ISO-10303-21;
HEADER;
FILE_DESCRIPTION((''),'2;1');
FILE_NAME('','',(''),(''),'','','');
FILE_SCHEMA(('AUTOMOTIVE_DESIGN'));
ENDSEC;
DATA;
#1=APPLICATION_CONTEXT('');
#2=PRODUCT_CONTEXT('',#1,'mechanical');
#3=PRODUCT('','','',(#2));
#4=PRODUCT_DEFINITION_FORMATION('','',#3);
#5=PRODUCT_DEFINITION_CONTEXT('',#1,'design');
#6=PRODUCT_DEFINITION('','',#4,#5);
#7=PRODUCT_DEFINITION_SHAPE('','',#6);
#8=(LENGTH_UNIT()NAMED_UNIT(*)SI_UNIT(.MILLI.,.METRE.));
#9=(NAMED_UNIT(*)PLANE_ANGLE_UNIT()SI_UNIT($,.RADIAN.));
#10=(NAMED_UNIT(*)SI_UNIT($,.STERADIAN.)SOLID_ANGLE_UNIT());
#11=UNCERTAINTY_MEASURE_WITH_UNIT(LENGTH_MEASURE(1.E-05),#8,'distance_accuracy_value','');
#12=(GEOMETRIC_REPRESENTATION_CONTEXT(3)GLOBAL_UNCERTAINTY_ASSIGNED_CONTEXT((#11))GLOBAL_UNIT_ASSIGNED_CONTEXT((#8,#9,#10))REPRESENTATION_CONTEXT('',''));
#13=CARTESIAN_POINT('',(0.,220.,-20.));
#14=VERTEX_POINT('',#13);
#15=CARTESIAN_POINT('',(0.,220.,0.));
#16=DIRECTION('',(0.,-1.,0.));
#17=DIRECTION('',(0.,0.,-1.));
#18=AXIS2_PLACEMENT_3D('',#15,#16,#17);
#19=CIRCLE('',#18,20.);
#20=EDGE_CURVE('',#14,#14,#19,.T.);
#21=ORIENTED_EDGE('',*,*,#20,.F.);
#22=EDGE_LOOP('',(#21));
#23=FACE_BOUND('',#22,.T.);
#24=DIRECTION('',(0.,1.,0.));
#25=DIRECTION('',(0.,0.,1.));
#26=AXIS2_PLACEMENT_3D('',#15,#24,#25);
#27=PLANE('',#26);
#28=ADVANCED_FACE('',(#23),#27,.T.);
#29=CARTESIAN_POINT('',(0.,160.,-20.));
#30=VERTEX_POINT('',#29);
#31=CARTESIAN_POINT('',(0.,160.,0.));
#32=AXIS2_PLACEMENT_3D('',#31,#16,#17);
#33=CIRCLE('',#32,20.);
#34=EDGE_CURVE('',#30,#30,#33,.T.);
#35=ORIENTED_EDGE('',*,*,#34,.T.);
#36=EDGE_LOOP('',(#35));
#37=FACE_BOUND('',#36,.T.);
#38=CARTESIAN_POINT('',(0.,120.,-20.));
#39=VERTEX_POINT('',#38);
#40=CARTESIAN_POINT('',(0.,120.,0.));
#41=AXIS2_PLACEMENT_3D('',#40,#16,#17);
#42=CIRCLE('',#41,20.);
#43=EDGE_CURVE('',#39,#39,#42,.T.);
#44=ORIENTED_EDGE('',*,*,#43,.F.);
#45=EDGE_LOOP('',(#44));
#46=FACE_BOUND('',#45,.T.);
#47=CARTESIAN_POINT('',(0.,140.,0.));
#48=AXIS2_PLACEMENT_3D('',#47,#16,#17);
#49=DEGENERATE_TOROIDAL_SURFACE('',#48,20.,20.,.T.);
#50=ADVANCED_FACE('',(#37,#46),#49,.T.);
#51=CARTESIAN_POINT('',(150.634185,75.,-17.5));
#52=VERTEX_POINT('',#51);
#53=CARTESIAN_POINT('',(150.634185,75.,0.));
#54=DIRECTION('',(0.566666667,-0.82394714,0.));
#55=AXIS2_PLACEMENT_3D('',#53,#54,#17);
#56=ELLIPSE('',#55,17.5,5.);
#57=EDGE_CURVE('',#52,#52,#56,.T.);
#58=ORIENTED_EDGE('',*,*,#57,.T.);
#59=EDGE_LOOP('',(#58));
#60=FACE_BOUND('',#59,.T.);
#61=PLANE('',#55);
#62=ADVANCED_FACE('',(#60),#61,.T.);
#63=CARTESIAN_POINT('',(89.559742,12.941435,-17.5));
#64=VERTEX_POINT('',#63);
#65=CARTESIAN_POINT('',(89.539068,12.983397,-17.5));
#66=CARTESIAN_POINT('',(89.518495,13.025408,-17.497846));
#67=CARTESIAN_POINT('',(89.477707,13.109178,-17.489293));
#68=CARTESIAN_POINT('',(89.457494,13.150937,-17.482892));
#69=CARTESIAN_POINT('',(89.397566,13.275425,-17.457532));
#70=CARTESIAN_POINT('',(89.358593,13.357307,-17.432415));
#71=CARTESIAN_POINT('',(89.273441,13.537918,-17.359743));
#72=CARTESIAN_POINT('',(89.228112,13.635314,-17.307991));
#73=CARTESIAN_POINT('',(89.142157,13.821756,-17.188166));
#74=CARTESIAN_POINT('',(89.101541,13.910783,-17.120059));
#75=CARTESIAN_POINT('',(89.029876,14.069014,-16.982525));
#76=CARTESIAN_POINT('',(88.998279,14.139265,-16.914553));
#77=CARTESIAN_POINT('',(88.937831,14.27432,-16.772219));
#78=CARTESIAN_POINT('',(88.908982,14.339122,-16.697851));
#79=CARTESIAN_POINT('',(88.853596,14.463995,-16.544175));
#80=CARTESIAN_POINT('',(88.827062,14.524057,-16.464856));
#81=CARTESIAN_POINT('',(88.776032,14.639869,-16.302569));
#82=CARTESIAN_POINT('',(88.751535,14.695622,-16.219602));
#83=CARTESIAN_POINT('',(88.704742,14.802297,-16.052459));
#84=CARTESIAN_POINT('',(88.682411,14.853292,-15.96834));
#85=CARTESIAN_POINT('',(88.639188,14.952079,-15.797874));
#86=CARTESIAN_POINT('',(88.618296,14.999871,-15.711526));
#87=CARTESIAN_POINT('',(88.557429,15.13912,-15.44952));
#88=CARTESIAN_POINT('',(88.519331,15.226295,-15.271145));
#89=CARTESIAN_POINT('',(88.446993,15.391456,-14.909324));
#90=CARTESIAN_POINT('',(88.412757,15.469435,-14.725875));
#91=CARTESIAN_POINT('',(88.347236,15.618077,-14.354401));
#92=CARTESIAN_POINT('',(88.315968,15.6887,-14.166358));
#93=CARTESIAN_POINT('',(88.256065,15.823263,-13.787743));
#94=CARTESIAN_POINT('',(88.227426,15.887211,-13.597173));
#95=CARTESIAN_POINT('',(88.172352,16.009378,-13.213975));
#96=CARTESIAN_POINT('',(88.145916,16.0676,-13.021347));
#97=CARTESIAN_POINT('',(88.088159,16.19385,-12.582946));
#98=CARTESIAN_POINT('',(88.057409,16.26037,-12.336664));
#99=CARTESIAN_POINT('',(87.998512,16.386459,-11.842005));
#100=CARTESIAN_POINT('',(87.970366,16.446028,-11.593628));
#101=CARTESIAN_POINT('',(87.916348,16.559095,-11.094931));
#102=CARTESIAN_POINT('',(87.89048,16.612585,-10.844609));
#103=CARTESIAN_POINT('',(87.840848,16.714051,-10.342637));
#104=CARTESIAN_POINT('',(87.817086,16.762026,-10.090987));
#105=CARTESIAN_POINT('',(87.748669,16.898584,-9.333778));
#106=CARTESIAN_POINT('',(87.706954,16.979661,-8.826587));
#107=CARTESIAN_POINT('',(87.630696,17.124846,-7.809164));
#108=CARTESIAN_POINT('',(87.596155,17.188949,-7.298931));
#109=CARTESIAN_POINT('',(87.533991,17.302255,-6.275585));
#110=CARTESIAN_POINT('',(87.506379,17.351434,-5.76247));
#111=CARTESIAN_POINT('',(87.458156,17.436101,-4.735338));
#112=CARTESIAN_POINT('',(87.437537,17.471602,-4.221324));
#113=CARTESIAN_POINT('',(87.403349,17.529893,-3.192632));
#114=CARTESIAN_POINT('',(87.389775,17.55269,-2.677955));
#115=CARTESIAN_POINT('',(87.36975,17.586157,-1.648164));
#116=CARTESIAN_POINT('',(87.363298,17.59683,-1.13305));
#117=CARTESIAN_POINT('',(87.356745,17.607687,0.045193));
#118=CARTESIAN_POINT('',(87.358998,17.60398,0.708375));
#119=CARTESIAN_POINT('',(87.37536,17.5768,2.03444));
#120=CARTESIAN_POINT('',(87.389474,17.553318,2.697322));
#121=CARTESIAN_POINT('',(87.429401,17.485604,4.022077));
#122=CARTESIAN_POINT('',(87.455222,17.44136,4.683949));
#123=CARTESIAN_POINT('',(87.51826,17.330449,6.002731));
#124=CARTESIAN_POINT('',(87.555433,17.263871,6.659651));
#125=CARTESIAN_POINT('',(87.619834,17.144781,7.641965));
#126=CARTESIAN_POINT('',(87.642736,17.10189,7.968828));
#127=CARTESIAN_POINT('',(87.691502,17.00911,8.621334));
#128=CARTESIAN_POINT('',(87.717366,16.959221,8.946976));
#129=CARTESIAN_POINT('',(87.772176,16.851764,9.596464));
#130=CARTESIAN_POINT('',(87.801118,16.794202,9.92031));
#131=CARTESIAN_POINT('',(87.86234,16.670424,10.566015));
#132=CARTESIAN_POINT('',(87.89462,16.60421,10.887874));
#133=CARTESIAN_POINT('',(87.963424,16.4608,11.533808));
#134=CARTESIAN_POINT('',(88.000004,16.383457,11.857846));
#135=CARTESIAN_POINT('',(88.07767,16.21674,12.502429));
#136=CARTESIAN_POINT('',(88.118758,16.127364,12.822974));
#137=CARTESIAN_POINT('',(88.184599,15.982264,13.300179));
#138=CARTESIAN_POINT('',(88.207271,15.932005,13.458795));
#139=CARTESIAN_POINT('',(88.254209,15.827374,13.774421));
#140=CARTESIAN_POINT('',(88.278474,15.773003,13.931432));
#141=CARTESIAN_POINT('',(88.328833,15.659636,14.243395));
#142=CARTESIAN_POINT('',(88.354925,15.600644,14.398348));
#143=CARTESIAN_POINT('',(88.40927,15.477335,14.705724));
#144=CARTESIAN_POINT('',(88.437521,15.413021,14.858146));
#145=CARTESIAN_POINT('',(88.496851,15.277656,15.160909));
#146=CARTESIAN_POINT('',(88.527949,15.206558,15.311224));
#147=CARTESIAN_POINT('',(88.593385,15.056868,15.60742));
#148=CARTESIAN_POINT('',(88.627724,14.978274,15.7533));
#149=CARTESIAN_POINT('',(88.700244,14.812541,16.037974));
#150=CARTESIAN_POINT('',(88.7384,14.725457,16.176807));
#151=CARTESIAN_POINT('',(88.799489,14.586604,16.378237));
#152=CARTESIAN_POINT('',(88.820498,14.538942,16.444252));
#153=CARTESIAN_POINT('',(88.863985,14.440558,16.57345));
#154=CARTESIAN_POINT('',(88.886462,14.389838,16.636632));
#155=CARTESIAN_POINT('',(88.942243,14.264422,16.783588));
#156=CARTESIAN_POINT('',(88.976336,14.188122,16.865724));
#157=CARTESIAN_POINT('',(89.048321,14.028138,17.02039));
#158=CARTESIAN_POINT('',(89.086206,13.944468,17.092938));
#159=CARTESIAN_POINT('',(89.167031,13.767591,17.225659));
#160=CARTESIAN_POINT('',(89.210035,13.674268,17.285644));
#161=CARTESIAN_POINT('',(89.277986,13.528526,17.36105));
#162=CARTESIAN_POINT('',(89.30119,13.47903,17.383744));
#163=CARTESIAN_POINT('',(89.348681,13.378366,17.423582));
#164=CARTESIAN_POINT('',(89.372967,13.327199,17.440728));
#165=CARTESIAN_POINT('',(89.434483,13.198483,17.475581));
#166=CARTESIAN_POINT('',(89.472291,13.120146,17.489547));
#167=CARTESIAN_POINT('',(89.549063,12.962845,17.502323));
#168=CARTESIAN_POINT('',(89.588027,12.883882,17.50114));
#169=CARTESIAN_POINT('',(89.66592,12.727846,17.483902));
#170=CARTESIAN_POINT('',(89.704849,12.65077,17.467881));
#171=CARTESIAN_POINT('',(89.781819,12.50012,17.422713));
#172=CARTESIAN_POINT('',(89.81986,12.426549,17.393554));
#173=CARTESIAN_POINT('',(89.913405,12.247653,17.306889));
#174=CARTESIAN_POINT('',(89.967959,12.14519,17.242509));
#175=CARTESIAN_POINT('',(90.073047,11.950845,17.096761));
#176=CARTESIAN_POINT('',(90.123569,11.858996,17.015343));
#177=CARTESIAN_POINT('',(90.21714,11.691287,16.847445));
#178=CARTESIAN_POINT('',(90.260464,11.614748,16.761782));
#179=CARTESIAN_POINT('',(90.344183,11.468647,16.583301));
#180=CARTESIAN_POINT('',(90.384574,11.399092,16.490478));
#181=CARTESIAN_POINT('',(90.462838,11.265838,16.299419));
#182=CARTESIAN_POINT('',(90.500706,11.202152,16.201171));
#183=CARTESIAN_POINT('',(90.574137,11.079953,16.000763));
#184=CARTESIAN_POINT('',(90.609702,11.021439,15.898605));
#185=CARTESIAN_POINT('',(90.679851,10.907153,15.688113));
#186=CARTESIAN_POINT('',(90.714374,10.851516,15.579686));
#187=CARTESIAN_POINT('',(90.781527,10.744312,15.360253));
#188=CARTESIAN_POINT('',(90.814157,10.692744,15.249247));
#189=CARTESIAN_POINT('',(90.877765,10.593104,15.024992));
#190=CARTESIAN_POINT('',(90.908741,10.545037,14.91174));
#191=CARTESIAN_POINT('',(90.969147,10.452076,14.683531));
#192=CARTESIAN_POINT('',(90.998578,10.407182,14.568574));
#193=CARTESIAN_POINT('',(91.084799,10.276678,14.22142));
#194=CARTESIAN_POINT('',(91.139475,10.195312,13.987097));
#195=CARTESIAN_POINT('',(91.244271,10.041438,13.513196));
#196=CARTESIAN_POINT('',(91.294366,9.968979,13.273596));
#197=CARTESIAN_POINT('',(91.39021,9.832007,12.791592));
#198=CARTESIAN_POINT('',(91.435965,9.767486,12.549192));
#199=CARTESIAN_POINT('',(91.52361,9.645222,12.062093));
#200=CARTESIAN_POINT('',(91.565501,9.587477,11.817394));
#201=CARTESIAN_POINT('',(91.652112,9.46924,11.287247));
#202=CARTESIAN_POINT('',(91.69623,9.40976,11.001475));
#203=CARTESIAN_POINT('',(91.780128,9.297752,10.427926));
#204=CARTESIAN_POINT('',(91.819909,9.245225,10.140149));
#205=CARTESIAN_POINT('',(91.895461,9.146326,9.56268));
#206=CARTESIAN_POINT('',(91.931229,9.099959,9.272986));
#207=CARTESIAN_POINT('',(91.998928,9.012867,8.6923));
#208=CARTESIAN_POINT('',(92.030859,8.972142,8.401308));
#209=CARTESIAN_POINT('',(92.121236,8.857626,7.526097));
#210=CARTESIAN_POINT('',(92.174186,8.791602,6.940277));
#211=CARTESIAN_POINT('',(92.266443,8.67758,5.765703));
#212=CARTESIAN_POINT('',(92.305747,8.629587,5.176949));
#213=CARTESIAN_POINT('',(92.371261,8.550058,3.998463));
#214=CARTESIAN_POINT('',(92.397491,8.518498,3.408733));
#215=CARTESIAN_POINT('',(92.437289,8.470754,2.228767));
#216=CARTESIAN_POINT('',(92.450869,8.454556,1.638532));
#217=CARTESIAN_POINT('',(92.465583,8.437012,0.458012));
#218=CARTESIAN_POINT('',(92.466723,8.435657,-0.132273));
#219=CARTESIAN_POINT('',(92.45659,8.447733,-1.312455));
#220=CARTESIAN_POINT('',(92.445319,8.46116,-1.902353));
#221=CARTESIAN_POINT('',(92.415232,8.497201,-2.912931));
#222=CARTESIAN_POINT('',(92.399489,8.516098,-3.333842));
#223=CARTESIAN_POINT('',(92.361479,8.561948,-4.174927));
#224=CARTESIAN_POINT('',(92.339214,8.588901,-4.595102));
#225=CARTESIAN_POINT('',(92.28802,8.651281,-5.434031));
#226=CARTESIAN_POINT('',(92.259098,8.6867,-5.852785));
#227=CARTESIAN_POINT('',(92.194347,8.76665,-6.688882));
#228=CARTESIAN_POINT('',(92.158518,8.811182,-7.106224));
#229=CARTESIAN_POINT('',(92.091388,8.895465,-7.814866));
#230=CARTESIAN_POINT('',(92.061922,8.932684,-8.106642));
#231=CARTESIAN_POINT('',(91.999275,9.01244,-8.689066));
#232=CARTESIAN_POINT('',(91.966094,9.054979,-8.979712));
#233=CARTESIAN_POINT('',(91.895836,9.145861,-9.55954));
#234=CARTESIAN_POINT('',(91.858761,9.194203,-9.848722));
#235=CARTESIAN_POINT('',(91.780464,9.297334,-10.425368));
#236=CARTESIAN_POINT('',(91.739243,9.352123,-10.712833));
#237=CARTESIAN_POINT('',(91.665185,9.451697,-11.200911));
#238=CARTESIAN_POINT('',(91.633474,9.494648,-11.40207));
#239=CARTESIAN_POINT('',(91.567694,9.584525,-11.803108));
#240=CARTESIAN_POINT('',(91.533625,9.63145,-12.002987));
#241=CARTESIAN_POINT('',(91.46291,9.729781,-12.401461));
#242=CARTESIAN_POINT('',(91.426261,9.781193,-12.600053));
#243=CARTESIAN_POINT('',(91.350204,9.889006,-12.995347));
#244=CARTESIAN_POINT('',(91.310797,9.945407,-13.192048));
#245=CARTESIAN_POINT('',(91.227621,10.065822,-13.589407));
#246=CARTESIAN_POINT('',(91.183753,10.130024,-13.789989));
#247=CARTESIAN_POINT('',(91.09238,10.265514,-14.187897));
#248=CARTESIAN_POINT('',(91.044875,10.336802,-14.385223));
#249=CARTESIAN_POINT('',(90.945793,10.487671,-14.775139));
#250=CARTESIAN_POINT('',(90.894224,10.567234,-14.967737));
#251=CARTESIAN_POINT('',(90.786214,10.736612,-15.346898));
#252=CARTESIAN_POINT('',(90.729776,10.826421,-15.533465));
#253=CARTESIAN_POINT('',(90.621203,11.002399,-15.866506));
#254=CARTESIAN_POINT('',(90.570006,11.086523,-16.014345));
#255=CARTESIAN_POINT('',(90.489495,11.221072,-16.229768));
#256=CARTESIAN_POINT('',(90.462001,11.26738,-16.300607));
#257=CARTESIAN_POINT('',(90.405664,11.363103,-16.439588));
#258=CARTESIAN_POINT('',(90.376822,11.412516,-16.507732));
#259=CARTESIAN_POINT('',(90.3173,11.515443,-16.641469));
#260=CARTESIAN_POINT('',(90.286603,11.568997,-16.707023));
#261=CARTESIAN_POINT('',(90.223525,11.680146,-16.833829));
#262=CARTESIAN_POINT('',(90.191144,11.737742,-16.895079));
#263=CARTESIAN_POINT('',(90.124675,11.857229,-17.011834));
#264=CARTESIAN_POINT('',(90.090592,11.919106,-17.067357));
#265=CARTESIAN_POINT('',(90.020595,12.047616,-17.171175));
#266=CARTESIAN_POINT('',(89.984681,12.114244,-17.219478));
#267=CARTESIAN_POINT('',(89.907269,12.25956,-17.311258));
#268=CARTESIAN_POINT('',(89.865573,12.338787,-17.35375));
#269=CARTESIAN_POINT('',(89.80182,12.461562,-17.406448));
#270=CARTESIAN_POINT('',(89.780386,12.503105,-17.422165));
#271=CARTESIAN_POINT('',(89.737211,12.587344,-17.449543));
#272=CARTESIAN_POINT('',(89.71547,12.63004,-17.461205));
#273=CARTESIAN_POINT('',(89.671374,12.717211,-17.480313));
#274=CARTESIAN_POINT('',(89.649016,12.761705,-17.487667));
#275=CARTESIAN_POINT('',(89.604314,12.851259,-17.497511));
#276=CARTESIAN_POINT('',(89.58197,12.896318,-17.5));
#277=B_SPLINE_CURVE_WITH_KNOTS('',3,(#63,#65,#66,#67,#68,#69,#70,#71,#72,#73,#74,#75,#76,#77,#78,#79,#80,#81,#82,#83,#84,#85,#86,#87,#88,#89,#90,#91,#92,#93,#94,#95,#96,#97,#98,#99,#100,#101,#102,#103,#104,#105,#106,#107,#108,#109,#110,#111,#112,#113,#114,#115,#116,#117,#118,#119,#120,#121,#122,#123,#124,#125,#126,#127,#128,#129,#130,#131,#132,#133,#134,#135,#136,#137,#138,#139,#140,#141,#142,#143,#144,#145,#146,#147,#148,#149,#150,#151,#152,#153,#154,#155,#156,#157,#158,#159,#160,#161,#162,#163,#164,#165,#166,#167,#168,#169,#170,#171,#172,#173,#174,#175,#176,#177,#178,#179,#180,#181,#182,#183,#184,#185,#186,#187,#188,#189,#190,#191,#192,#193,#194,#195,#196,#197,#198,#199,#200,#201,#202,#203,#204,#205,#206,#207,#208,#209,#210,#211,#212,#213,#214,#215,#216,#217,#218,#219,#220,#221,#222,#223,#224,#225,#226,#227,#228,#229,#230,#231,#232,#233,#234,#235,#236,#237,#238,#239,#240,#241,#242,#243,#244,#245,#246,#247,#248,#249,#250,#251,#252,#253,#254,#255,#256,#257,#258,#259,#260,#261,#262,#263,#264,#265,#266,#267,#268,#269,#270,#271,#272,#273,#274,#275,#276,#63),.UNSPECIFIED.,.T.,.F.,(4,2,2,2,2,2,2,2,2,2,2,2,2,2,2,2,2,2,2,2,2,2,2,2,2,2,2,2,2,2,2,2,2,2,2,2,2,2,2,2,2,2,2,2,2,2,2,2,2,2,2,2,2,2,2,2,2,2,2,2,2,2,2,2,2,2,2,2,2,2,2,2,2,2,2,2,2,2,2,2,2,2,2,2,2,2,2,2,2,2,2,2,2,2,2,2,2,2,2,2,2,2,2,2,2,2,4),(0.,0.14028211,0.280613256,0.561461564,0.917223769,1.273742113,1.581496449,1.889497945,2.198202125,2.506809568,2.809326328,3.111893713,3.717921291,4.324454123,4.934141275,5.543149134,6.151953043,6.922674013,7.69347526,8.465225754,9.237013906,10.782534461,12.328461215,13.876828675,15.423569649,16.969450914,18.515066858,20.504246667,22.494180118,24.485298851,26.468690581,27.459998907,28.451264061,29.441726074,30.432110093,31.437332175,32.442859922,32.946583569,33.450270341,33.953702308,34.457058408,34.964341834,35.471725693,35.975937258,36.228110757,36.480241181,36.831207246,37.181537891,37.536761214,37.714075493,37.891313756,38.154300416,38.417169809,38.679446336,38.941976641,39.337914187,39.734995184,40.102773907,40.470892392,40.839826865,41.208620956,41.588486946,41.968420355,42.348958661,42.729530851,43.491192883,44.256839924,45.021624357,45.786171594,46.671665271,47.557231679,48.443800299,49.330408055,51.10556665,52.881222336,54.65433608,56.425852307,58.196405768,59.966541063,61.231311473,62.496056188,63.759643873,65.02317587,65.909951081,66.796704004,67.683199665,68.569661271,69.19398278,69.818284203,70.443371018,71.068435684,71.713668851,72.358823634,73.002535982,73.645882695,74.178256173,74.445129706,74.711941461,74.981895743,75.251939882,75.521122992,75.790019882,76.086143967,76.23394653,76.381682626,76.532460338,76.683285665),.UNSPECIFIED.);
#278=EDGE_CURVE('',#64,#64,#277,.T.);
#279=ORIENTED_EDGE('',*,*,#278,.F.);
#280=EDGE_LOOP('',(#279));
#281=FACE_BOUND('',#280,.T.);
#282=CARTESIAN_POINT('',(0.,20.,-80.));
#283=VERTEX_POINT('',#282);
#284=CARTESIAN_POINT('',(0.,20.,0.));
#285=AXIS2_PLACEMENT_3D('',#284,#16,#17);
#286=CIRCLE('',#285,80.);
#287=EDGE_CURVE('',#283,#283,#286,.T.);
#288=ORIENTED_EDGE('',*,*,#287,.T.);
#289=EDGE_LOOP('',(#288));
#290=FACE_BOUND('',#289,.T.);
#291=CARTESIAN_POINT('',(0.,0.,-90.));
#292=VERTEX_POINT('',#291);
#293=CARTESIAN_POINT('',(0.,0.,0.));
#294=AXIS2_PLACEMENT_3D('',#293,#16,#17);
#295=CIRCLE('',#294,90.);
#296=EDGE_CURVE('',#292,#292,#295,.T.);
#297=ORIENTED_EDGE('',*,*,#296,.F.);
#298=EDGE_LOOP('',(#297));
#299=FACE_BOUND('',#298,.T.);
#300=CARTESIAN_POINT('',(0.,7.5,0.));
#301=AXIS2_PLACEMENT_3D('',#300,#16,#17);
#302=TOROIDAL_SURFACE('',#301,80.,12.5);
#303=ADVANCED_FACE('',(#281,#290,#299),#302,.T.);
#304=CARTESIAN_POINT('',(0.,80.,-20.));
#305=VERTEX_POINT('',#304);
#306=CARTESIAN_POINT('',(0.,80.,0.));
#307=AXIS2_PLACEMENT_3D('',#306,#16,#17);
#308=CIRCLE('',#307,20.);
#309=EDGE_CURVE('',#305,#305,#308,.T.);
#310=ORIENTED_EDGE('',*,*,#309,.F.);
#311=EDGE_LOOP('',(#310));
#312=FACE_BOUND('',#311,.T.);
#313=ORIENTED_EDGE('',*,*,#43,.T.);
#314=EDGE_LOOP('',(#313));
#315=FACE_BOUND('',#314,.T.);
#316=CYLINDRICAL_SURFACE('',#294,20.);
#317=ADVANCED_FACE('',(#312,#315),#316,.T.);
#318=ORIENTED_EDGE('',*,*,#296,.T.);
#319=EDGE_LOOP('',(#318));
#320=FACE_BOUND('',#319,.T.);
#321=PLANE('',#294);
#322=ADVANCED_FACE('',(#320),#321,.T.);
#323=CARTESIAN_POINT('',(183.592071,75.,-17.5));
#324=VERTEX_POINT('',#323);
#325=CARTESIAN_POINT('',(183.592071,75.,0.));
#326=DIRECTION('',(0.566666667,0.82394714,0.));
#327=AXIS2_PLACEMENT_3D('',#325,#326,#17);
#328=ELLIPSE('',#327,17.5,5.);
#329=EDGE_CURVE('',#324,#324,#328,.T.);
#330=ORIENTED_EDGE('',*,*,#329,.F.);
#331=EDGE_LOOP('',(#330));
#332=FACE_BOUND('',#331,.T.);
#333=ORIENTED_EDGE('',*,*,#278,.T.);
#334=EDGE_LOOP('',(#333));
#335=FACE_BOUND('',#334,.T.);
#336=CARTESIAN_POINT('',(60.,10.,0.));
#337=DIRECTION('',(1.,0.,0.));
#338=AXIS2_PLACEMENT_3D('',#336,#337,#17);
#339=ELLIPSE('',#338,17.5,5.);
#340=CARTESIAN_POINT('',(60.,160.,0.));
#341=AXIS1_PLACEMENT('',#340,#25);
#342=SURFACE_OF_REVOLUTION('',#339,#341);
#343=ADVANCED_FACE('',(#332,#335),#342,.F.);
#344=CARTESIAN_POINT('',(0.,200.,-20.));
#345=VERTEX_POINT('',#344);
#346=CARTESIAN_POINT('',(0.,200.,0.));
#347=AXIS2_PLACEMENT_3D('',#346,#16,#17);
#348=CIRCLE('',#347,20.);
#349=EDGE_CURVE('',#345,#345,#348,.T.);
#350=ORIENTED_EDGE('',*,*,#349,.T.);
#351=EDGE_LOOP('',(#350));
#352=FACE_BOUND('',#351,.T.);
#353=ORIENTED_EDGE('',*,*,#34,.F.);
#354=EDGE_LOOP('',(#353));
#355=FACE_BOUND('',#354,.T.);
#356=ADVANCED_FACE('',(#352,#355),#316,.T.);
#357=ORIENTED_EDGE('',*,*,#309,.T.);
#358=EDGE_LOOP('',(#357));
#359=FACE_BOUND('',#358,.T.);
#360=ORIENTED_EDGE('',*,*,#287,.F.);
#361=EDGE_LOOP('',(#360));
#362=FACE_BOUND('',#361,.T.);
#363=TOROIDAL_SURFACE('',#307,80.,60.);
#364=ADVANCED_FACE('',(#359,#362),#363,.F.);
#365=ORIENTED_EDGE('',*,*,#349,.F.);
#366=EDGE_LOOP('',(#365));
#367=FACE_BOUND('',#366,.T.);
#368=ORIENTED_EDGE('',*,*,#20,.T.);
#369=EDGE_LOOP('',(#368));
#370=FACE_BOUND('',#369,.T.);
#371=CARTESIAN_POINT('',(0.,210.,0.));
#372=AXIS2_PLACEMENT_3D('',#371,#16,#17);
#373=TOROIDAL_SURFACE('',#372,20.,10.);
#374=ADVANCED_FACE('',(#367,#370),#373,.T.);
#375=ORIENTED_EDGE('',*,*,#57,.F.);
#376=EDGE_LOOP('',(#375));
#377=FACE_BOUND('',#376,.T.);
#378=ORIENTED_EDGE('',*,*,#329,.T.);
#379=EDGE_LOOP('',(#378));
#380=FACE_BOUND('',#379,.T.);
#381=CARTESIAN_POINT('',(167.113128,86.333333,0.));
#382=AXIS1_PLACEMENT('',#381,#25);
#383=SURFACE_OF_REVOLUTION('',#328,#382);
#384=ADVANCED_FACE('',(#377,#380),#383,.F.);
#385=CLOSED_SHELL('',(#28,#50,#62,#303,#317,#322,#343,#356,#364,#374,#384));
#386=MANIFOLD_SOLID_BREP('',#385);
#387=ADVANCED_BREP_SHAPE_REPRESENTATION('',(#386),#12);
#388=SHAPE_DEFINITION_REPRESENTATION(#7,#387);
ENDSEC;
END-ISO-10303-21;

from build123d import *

# Parameters (mm, degrees)
CROQUIS3_RX = 17.5
CROQUIS3_RY = 5


with BuildPart() as part:
    # Croquis1 → Revolución1 (revolve)
    with BuildSketch(Plane.XY):
        with BuildLine():
            Line((0, 0), (90, 0))
            ThreePointArc((90, 0), (91.180339887, 13.090169944), (80, 20))
            ThreePointArc((80, 20), (37.573593129, 37.573593129), (20, 80))
            Line((20, 80), (20, 120))
            ThreePointArc((20, 120), (40, 140), (20, 160))
            Line((20, 160), (20, 200))
            ThreePointArc((20, 200), (30, 210), (20, 220))
            Line((20, 220), (0, 220))
            Line((0, 220), (0, 0))
        make_face()
    revolve(axis=Axis((0, 0, 0), (0, 1, 0)))

    # Barrer1: sweep along a path in Croquis2
    with BuildLine(Plane.XY) as barrer1_path:
        Line((0, 10), (60, 10))
        ThreePointArc((60, 10), (129.821200219, 27.240819526), (183.592070943, 75))
        ThreePointArc((183.592070943, 75), (167.113128151, 106.333333333), (150.634185358, 75))
    # Croquis3 → Barrer1 (sweep)
    with BuildSketch(Plane(origin=(0, 0, 0), x_dir=(0, 0, -1), z_dir=(1, 0, 0))):
        with Locations((0, 10)):
            Ellipse(CROQUIS3_RX, CROQUIS3_RY)
    sweep(path=barrer1_path.line)


solid = part.part
